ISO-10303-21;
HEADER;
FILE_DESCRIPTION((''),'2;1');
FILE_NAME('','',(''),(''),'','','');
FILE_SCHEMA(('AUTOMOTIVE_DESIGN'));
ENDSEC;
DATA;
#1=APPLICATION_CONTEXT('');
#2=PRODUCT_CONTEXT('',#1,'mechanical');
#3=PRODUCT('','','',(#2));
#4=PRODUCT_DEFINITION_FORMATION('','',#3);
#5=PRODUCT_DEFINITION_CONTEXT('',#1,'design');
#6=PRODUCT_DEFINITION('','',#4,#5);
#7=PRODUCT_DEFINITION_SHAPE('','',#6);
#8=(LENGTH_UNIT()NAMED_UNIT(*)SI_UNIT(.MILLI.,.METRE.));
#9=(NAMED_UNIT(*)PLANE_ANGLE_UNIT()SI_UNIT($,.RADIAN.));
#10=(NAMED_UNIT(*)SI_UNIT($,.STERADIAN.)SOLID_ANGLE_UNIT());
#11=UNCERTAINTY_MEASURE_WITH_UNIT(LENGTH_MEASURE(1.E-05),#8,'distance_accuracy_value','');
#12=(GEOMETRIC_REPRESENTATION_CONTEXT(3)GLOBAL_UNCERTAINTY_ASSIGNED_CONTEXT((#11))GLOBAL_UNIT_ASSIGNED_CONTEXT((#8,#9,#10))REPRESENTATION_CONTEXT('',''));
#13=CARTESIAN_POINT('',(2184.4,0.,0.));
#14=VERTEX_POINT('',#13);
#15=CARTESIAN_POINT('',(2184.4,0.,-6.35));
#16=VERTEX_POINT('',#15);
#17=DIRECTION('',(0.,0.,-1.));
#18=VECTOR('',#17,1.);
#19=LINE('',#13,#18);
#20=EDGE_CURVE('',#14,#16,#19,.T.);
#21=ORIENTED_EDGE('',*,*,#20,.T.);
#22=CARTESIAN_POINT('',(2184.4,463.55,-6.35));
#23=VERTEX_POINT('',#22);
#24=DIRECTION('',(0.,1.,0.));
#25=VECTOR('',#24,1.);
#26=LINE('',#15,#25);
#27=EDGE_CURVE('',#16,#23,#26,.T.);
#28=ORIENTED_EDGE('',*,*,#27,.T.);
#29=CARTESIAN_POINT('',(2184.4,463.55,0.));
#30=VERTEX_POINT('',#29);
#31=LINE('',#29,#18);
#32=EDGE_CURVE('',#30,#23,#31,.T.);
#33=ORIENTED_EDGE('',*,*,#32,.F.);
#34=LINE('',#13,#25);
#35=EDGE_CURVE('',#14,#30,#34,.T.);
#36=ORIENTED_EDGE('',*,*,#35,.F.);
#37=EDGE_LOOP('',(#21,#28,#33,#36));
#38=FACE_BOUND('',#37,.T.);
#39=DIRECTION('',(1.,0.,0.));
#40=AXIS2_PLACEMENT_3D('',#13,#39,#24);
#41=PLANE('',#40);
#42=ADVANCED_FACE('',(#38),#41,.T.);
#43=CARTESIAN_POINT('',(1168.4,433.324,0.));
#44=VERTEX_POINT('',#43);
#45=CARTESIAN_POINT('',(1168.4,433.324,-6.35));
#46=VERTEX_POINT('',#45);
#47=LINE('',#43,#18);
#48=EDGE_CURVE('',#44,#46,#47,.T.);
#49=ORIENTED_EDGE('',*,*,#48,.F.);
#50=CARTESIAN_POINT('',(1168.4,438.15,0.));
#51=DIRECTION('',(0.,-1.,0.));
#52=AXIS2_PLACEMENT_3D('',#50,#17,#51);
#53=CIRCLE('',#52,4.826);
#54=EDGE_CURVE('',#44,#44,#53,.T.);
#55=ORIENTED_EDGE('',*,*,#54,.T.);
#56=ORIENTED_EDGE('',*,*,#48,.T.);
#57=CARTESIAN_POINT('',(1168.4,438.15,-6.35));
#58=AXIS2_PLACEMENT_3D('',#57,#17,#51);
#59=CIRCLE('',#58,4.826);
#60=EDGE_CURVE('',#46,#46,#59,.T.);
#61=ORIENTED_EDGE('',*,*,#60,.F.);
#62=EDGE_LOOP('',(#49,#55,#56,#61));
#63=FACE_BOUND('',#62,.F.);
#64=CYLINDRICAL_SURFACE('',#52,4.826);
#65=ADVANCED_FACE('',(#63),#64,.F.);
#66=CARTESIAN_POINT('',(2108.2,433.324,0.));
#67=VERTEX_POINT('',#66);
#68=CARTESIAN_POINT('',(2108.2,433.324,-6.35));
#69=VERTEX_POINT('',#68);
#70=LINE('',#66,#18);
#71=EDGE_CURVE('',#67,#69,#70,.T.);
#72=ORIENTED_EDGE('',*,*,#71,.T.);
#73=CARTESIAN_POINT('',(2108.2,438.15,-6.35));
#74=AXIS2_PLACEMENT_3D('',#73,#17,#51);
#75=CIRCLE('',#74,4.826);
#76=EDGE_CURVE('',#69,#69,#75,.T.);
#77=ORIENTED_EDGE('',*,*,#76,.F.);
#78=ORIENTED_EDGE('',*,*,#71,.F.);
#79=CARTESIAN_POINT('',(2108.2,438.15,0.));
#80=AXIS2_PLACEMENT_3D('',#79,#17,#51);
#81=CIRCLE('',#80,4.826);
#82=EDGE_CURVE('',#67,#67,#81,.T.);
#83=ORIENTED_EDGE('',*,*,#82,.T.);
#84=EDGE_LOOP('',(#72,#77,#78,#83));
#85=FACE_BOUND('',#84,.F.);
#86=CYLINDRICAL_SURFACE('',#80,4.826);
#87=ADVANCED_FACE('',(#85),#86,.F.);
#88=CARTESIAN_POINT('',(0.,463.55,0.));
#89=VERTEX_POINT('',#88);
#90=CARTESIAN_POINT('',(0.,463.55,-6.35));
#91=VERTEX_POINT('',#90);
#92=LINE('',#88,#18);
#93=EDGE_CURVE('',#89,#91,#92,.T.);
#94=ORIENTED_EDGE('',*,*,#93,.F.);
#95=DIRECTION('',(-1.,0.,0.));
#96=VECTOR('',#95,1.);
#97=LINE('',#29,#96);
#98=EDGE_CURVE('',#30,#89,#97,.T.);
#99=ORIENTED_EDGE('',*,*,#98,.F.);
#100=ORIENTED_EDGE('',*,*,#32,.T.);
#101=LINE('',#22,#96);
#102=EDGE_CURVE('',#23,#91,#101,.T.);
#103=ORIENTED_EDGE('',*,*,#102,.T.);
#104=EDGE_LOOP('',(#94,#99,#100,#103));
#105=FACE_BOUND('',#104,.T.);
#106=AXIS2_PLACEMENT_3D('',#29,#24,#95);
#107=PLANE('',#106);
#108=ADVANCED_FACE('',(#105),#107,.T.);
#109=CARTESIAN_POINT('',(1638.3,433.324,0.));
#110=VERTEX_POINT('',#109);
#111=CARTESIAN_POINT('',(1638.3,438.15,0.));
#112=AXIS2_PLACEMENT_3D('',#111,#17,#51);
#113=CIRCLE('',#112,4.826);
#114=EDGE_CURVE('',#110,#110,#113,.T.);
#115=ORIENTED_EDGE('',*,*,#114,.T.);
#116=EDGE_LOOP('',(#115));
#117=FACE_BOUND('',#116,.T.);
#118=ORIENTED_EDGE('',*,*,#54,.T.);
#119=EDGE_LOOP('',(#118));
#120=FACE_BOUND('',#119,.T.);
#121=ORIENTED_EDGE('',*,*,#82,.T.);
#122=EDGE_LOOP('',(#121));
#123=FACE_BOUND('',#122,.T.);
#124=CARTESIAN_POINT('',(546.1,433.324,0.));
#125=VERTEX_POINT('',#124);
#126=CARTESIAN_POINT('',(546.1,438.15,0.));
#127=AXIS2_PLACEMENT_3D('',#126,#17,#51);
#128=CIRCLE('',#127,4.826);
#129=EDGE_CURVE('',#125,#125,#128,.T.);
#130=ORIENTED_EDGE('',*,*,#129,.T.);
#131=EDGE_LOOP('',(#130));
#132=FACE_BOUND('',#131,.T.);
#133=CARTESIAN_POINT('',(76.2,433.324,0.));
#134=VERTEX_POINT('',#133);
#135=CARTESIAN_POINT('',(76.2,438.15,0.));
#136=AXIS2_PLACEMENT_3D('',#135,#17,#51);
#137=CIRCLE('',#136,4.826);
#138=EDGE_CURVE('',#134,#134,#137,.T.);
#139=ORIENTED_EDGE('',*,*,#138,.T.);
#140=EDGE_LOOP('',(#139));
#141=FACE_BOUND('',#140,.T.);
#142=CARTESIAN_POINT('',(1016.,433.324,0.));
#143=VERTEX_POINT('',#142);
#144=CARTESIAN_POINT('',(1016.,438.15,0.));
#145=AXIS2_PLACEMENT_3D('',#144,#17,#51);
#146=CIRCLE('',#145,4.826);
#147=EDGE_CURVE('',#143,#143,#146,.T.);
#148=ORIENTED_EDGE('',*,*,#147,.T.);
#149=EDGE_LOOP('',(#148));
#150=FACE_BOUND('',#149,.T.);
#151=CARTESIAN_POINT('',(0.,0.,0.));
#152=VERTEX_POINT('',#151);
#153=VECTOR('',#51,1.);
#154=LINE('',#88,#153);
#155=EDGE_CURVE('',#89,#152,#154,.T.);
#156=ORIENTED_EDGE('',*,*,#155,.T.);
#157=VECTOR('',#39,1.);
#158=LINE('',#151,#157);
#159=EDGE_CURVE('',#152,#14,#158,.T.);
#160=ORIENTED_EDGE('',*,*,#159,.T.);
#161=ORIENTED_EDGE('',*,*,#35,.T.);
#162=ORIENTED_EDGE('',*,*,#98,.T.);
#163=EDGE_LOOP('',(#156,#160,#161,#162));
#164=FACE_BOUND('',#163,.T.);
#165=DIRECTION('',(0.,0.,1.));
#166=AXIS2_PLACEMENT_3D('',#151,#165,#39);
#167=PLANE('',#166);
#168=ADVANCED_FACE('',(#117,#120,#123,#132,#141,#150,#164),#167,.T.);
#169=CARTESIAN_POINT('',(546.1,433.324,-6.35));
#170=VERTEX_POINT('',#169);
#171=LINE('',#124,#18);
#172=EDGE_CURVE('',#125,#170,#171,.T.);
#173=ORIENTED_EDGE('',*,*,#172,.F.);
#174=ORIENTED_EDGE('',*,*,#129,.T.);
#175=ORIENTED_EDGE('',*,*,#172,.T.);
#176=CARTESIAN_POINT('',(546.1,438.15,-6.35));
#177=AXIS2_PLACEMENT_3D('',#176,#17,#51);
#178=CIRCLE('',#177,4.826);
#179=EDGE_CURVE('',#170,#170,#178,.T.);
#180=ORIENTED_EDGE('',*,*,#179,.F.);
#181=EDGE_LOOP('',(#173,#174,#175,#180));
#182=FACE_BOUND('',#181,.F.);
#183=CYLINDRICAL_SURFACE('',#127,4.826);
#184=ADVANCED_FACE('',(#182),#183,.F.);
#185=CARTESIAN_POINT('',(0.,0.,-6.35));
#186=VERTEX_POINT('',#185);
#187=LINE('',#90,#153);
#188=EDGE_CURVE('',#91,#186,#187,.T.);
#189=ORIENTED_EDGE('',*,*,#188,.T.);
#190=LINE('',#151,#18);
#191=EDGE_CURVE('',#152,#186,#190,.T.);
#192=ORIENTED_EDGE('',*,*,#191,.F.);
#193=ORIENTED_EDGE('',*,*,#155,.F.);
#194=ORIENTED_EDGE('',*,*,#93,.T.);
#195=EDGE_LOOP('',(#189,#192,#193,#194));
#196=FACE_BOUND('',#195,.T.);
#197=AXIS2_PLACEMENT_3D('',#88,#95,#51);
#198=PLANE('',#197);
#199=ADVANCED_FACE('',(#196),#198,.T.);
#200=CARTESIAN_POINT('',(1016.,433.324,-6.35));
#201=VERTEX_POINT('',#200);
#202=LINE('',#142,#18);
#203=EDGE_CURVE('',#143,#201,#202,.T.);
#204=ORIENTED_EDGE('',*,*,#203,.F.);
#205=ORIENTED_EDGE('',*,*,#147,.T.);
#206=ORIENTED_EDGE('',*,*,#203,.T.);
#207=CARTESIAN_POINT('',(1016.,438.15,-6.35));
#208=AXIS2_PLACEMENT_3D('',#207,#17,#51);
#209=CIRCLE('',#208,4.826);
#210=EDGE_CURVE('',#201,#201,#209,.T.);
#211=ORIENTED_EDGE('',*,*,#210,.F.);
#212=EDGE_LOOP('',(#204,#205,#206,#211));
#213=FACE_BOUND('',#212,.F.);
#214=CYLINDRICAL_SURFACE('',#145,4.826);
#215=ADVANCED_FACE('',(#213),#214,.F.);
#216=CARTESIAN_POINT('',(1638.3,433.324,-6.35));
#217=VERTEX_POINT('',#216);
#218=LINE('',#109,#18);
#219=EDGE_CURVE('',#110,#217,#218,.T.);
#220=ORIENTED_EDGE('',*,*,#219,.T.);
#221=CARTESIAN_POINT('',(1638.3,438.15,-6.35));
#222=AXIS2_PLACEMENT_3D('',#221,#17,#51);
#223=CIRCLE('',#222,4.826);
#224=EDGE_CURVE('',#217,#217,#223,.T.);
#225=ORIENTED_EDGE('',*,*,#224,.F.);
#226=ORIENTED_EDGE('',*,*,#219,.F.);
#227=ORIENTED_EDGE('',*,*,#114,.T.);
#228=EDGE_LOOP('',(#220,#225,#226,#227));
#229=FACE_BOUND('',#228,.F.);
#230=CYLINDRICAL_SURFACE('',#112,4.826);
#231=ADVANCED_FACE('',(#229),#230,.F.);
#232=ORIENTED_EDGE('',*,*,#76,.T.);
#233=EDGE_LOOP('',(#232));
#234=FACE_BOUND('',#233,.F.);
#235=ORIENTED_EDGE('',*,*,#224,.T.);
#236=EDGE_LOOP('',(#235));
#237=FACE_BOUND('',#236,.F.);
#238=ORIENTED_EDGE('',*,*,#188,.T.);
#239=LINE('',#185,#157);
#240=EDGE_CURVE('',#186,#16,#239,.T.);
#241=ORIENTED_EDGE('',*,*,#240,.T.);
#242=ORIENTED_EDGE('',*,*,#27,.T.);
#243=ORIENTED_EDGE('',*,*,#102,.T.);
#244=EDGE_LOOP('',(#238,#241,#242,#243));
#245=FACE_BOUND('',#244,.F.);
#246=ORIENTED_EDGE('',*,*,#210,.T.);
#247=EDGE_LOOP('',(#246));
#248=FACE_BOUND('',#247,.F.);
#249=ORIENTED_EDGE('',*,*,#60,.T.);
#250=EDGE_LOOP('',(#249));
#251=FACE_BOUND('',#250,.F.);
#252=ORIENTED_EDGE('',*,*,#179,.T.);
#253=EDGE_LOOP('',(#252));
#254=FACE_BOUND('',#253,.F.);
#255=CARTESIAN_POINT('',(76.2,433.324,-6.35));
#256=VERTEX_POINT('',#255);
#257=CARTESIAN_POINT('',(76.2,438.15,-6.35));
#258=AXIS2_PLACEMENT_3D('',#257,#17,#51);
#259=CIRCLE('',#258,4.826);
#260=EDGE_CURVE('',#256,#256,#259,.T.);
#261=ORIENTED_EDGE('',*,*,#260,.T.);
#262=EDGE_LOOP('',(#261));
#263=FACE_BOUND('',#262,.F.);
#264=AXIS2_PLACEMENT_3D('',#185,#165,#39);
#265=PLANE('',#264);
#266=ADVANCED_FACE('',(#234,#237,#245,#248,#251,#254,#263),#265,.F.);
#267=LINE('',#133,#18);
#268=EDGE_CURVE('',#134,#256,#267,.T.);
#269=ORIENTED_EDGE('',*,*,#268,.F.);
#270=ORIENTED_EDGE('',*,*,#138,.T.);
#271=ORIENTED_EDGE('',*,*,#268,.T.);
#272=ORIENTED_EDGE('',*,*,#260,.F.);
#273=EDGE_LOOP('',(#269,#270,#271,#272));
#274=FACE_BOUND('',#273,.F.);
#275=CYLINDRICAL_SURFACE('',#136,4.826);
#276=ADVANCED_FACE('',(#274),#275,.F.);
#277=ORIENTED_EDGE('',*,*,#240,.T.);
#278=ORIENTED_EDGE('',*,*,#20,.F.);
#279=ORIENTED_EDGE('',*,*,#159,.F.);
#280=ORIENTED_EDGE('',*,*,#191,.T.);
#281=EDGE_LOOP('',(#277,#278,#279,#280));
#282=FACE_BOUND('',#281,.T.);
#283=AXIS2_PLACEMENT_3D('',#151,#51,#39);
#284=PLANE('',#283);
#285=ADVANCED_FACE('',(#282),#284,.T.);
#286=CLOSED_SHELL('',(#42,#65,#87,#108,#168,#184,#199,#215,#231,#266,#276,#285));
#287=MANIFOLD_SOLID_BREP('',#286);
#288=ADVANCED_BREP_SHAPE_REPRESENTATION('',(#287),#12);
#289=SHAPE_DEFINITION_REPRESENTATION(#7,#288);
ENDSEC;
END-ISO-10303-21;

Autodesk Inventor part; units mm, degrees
ref_plane "YZ Plane" through (0, 0, 0) normal (1, 0, 0) x (0, 1, 0)
ref_plane "XZ Plane" through (0, 0, 0) normal (0, 1, 0) x (-1, 0, 0)
ref_plane "XY Plane" through (0, 0, 0) normal (0, 0, 1) x (1, 0, 0)
sketch "Sketch1" plane through (0, 0, 0) normal (0, 0, 1) x (1, 0, 0)
  line L0 (0, 0) -> (2184.4, 0)
  line L1 (2184.4, 0) -> (2184.4, 463.55)
  line L2 (2184.4, 463.55) -> (0, 463.55)
  line L3 (0, 463.55) -> (0, 0)
  dimension "d0" = 2184.4
  dimension "d1" = 463.55
extrude "Extrusion1" add sketch "Sketch1" against normal blind 6.35
sketch "Sketch2" plane through (0, 0, 0) normal (0, 0, 1) x (1, 0, 0)
  line L0 (2184.4, 463.55) -> (0, 463.55) projected
  line L1 (0, 463.55) -> (0, 0) projected
  point P0 (76.2, 438.15)
  point P1 (546.1, 438.15)
  point P2 (1016, 438.15)
  point P3 (1168.4, 438.15)
  point P4 (1638.3, 438.15)
  point P5 (2108.2, 438.15)
  dimension "d4" = 76.2
  dimension "d5" = 25.4
  dimension "d6" = 546.1
  dimension "d7" = 1016
  dimension "d8" = 1168.4
  dimension "d9" = 1638.3
  dimension "d10" = 2108.2
hole "Hole1" at (76.2, 438.15, 0) at (546.1, 438.15, 0) at (1016, 438.15, 0) at (1168.4, 438.15, 0) at (1638.3, 438.15, 0) at (2108.2, 438.15, 0) direction (0, 0, -1) diameter 9.652 end through all
properties part number "GE-13035" material "Polycarbonate, Clear"
